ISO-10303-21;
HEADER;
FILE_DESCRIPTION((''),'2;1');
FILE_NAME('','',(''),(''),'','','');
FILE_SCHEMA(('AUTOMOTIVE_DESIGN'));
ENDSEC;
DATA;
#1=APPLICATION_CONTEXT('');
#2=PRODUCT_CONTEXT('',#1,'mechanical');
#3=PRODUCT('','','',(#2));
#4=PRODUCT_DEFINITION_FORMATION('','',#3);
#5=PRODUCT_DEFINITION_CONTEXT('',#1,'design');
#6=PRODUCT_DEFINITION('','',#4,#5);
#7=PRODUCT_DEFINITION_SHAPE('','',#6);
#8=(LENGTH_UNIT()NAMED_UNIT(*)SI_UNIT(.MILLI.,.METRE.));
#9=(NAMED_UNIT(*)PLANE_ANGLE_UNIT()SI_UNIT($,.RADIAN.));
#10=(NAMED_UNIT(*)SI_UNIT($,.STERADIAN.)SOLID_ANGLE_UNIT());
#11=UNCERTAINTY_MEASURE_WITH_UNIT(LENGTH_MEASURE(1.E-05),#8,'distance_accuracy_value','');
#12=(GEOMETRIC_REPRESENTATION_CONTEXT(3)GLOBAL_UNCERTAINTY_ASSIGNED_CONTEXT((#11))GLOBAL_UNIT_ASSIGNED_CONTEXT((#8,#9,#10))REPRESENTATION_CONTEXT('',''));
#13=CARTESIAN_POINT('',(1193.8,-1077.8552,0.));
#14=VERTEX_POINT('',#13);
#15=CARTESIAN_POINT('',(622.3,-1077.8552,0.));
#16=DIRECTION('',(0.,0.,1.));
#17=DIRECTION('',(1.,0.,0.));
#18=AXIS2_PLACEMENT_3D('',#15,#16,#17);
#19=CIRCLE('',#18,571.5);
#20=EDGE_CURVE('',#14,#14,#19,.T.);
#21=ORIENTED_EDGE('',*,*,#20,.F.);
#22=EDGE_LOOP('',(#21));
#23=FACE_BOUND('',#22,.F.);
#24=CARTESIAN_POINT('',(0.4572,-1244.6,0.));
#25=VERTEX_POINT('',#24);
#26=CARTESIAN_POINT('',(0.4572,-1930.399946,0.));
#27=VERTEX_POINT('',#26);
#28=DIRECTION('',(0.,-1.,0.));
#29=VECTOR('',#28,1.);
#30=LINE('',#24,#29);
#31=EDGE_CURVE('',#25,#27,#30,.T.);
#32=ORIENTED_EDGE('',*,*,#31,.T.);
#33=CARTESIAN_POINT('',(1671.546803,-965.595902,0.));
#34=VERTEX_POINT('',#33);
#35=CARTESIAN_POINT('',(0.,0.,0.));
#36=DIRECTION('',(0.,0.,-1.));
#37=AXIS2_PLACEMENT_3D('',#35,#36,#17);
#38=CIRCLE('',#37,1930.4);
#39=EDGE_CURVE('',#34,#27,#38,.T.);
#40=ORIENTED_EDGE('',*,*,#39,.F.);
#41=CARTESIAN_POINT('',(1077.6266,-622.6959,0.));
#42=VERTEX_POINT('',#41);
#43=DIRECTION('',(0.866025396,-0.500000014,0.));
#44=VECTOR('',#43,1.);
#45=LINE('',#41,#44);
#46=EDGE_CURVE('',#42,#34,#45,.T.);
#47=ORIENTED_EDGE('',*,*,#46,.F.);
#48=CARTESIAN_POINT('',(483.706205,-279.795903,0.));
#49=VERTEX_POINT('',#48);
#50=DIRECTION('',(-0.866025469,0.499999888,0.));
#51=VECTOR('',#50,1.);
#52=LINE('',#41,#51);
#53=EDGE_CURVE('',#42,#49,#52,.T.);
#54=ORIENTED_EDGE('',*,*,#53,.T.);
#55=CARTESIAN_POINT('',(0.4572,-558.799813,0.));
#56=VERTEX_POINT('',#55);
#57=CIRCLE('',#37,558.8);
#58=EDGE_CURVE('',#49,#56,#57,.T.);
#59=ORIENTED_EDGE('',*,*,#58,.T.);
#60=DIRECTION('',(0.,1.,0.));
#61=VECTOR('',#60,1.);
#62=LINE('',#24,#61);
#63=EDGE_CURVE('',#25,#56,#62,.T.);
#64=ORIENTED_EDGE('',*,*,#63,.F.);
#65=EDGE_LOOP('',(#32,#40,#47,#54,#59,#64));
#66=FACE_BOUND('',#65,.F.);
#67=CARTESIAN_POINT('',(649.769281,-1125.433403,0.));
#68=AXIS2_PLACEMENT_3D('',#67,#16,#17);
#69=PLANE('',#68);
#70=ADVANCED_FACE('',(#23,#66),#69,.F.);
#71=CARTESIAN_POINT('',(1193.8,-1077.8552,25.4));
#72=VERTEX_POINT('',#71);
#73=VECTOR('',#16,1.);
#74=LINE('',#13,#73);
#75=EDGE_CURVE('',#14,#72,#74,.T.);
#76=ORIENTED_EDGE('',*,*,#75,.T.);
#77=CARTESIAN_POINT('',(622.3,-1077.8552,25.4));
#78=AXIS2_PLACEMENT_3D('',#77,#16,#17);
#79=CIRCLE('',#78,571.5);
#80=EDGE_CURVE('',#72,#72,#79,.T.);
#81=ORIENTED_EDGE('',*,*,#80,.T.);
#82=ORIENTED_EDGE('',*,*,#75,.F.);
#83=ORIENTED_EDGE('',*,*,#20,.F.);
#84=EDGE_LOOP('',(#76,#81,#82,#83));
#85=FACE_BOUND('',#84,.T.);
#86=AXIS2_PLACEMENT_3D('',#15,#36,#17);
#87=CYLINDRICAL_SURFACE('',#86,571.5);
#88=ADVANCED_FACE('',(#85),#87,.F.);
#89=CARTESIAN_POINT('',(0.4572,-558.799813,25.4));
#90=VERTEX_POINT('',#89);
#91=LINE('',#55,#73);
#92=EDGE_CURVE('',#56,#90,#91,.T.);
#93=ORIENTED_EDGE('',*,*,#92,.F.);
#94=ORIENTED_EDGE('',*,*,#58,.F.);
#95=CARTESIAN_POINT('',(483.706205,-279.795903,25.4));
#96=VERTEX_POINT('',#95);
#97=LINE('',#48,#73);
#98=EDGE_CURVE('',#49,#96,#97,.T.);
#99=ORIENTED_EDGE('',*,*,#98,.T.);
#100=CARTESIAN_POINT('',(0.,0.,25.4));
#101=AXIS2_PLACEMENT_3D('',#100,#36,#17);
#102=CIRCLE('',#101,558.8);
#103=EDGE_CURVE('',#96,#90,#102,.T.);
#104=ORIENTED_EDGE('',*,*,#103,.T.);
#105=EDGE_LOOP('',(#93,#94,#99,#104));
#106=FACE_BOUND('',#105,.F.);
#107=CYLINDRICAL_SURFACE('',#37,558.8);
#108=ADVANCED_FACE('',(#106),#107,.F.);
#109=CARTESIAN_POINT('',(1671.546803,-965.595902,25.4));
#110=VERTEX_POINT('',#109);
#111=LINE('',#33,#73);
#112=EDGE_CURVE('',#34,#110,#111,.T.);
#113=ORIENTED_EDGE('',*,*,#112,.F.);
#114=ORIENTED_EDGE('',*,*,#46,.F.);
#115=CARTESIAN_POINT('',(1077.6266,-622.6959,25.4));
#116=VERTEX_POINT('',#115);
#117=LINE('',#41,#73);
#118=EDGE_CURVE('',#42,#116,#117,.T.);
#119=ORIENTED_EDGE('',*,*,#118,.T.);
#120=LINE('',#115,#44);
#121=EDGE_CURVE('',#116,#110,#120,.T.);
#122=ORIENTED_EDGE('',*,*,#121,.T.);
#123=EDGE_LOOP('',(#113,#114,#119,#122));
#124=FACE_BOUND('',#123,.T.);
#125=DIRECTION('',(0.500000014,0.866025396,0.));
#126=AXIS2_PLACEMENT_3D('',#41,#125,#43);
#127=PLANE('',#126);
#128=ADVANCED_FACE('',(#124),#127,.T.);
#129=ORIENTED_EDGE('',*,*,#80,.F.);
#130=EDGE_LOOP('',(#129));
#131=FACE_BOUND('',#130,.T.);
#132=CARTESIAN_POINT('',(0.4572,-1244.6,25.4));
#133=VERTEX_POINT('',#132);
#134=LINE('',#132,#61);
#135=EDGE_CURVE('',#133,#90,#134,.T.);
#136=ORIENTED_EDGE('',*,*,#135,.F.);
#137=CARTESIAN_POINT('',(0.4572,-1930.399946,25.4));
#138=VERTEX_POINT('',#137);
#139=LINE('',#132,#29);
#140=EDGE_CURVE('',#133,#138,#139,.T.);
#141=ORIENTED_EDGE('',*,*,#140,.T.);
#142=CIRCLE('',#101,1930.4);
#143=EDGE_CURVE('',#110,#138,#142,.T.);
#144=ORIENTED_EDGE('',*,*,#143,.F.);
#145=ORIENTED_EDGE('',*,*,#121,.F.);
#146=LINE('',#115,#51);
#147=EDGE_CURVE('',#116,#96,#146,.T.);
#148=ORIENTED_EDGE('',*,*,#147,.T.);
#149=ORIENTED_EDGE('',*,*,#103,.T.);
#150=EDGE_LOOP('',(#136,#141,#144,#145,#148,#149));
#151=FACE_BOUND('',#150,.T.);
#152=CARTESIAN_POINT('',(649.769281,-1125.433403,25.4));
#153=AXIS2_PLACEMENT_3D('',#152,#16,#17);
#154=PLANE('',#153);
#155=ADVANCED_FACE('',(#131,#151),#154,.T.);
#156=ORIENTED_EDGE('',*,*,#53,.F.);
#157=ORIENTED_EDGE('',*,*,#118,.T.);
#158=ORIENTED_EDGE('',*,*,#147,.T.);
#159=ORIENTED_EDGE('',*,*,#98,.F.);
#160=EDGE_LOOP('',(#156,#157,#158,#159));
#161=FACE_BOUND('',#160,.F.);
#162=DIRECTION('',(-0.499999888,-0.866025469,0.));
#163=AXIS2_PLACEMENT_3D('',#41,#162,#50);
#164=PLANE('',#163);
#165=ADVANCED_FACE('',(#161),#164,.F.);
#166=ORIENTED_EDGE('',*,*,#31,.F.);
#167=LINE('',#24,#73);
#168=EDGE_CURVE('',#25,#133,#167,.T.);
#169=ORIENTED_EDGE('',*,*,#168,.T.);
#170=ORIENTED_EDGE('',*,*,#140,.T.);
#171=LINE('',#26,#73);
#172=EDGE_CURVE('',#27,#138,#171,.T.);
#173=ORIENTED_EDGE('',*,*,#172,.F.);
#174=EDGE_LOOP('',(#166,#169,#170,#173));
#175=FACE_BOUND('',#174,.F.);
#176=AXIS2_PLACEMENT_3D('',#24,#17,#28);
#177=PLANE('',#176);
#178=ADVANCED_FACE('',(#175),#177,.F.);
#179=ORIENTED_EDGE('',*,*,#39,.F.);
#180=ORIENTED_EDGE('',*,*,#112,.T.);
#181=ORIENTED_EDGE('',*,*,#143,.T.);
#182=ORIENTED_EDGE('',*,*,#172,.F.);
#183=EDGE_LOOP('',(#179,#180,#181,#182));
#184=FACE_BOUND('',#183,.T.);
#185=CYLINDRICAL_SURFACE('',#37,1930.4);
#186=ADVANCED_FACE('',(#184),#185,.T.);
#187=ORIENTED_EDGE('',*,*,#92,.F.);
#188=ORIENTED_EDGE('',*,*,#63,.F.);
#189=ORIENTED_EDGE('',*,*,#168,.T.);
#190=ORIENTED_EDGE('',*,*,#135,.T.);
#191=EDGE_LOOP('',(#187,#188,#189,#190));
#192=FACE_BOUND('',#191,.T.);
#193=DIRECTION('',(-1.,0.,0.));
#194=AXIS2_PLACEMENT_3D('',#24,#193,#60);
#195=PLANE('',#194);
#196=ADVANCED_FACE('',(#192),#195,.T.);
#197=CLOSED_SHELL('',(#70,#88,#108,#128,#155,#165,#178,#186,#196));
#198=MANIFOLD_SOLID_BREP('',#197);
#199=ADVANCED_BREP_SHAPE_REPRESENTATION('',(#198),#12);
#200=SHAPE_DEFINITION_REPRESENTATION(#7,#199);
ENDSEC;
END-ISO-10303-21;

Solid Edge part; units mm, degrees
sketch "Sketch1" plane through (0, 0, 0) normal (0, 0, 1) x (1, 0, 0)
  line L0 (1077.6266, -622.6959) -> (483.7062, -279.7959)
  line L1 (0.4572, -1244.6) -> (0.4572, -558.7998)
  line L2 (0.4572, -1244.6) -> (0.4572, -1930.3999)
  line L3 (1077.6266, -622.6959) -> (1671.5468, -965.5959)
  arc A0 (483.7062, -279.7959) -> (0.4572, -558.7998) centre (0, 0) cw
  arc A1 (1671.5468, -965.5959) -> (0.4572, -1930.3999) centre (0, 0) cw
  circle A2 centre (622.3, -1077.8552) radius 571.5
extrude "Protrusion1" add sketch "Sketch1" along normal blind 25.4
